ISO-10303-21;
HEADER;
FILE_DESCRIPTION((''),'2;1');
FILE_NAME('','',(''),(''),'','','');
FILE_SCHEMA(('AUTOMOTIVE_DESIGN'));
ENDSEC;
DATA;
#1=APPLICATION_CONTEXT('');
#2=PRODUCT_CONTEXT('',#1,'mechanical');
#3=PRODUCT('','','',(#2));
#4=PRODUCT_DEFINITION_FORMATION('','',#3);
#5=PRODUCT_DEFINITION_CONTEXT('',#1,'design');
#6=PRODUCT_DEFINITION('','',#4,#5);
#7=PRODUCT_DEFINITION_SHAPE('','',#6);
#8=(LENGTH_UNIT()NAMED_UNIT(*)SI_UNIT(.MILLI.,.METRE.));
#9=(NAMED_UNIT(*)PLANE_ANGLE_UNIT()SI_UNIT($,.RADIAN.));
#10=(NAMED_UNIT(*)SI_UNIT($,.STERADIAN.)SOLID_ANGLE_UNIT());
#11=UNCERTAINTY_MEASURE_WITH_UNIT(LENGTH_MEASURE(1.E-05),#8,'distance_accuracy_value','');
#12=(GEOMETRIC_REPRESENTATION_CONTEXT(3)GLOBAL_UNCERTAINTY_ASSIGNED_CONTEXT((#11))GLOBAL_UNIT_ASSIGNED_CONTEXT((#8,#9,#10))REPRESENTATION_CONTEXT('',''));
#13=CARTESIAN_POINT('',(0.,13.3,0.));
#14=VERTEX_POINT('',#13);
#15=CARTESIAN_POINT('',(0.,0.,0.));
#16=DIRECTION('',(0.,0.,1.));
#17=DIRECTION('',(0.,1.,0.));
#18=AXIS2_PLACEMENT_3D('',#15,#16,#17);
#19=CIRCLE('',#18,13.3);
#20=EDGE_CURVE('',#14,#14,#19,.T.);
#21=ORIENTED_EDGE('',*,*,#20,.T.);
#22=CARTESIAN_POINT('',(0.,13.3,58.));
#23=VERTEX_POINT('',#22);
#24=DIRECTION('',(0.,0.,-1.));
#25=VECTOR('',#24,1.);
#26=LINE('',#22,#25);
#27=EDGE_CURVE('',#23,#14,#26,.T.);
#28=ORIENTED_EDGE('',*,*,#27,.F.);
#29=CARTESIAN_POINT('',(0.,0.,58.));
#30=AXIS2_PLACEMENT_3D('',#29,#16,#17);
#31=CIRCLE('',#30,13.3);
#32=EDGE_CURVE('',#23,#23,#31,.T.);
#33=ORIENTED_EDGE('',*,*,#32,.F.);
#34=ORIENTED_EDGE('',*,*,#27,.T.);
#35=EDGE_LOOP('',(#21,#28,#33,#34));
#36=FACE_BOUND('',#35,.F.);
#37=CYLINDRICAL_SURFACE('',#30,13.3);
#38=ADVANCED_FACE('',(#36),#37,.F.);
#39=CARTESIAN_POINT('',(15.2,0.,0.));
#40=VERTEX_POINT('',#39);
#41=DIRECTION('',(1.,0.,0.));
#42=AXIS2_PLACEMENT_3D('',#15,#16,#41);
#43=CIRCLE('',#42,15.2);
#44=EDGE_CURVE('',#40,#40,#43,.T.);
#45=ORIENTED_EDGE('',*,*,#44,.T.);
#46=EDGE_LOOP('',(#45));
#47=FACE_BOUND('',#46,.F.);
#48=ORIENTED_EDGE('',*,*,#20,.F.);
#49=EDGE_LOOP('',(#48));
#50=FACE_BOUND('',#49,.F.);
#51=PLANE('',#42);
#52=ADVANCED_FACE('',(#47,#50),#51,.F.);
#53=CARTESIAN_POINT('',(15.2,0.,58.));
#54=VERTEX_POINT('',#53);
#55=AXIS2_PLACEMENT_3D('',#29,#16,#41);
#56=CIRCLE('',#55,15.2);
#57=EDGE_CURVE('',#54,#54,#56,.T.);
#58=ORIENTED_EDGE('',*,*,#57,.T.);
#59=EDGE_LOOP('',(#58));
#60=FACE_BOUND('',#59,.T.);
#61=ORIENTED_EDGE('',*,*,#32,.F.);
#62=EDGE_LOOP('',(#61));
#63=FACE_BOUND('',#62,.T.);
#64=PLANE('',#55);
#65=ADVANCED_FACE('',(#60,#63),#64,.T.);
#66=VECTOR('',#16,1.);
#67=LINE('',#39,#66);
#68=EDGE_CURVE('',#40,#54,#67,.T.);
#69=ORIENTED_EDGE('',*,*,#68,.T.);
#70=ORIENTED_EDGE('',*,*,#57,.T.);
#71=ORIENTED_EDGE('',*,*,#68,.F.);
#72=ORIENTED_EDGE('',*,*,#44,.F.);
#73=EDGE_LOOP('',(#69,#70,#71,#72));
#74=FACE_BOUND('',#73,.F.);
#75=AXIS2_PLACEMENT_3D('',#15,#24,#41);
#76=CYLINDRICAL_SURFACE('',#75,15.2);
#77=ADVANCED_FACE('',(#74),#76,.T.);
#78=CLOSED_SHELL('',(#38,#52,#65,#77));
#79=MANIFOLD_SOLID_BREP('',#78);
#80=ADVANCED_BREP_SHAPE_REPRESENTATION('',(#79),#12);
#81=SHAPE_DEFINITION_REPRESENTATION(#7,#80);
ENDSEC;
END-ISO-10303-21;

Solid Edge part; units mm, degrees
sketch "Sketch1" plane through (0, 0, 0) normal (0, 0, 1) x (1, 0, 0)
  circle A0 centre (0, 0) radius 15.2
extrude "Protrusion1" add sketch "Sketch1" along normal blind 58
sketch "Sketch2" plane through (0, 0, 58) normal (0, 0, 1) x (0, 1, 0)
  circle A0 centre (0, 0) radius 13.3
extrude "Cutout1" cut sketch "Sketch2" against normal up to vertex (58 mm away)
properties material "Copper"
